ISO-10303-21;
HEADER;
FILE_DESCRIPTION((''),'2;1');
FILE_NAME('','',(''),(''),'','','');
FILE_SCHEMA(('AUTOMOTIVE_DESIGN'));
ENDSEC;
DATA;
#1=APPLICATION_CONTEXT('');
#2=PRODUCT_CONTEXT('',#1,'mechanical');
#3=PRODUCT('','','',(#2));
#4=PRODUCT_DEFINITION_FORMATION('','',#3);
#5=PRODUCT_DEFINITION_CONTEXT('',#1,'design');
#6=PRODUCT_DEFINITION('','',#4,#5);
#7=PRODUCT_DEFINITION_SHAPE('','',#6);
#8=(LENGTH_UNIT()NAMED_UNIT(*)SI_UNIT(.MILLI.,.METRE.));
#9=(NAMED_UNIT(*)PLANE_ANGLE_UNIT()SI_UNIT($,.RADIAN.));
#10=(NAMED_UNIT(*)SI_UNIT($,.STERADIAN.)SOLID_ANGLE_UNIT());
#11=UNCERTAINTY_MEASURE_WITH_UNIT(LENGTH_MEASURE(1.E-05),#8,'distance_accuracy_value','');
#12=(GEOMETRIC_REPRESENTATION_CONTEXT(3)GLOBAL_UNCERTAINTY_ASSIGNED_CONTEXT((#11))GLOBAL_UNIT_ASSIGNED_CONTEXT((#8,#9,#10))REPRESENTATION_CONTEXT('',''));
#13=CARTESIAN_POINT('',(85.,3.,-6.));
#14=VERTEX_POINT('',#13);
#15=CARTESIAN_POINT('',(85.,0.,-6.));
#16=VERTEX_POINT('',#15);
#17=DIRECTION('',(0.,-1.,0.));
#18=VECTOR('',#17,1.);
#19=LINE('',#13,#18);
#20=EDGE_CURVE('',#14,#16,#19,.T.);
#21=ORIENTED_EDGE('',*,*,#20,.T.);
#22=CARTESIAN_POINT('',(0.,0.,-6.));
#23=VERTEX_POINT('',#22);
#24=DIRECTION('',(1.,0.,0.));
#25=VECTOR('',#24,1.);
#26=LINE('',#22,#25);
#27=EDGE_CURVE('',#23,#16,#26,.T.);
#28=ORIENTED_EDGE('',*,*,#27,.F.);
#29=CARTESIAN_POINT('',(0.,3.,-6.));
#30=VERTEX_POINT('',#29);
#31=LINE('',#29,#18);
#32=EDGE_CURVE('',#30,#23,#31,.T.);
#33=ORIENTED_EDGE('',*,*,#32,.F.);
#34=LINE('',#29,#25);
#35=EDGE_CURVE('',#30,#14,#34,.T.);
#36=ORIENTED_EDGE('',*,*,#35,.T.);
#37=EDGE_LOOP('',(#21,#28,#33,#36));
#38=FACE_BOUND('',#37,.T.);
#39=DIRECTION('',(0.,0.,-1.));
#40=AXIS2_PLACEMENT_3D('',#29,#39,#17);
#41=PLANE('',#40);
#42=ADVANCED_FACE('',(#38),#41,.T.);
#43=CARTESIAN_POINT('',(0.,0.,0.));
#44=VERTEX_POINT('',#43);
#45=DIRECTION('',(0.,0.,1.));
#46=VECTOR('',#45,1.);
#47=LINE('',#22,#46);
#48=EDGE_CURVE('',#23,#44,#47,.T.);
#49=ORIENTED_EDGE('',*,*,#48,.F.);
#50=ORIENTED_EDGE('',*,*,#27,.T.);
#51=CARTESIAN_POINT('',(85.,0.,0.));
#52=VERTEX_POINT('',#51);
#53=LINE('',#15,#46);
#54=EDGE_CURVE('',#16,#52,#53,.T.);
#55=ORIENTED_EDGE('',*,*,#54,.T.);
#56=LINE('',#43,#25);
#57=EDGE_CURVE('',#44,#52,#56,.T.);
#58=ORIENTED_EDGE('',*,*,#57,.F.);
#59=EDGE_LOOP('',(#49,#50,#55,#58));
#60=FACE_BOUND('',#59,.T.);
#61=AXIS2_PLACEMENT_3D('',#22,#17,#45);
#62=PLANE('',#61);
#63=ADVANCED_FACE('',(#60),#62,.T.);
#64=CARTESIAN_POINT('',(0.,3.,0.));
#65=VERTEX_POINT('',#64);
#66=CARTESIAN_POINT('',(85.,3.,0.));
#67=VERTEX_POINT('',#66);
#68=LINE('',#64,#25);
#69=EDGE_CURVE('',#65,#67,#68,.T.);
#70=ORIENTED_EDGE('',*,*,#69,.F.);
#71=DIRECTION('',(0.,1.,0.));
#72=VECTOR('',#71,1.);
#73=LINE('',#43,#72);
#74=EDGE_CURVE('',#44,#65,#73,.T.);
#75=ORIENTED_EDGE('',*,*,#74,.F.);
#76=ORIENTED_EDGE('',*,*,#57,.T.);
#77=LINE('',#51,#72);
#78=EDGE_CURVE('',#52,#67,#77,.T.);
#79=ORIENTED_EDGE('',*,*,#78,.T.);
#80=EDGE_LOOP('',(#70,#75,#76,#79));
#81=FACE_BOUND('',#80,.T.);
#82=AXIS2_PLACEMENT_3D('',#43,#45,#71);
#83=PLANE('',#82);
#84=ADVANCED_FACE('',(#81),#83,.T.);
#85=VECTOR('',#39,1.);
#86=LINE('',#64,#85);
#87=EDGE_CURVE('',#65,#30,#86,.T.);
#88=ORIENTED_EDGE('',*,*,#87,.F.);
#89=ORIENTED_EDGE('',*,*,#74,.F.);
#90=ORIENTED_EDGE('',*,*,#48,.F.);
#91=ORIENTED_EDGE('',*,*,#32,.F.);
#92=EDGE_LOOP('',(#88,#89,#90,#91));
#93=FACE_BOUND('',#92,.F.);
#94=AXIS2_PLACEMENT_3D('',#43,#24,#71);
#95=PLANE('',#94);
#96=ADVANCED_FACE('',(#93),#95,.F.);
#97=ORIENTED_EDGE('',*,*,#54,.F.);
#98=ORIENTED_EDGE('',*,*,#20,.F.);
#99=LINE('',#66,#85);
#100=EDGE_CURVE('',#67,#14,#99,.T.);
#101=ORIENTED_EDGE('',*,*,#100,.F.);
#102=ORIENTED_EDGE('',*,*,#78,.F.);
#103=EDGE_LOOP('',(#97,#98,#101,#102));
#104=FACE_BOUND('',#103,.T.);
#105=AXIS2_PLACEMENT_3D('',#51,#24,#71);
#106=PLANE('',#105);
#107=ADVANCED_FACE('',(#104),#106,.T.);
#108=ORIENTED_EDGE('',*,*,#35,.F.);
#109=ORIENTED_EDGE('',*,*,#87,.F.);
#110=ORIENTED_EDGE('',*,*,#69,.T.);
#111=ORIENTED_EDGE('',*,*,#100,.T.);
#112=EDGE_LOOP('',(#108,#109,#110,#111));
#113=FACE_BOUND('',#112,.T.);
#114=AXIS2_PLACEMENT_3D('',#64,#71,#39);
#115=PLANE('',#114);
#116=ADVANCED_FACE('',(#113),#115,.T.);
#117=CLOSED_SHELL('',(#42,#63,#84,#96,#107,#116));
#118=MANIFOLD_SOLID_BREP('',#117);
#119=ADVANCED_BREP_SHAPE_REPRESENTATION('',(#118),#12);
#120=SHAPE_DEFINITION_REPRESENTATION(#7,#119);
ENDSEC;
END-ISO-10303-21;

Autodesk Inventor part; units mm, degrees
ref_plane "YZ Plane" through (0, 0, 0) normal (1, 0, 0) x (0, 1, 0)
ref_plane "XZ Plane" through (0, 0, 0) normal (0, 1, 0) x (-1, 0, 0)
ref_plane "XY Plane" through (0, 0, 0) normal (0, 0, 1) x (1, 0, 0)
sketch "Sketch1" plane through (0, 0, 0) normal (1, 0, 0) x (0, 1, 0)
  line L0 (0, 0) -> (3, 0)
  line L1 (3, 0) -> (3, -6)
  line L2 (3, -6) -> (0, -6)
  line L3 (0, -6) -> (0, 0)
  dimension "d0" = 3
  dimension "d1" = 6
extrude "Extrusion1" add sketch "Sketch1" along normal blind 85
properties part number "ledstrip"
